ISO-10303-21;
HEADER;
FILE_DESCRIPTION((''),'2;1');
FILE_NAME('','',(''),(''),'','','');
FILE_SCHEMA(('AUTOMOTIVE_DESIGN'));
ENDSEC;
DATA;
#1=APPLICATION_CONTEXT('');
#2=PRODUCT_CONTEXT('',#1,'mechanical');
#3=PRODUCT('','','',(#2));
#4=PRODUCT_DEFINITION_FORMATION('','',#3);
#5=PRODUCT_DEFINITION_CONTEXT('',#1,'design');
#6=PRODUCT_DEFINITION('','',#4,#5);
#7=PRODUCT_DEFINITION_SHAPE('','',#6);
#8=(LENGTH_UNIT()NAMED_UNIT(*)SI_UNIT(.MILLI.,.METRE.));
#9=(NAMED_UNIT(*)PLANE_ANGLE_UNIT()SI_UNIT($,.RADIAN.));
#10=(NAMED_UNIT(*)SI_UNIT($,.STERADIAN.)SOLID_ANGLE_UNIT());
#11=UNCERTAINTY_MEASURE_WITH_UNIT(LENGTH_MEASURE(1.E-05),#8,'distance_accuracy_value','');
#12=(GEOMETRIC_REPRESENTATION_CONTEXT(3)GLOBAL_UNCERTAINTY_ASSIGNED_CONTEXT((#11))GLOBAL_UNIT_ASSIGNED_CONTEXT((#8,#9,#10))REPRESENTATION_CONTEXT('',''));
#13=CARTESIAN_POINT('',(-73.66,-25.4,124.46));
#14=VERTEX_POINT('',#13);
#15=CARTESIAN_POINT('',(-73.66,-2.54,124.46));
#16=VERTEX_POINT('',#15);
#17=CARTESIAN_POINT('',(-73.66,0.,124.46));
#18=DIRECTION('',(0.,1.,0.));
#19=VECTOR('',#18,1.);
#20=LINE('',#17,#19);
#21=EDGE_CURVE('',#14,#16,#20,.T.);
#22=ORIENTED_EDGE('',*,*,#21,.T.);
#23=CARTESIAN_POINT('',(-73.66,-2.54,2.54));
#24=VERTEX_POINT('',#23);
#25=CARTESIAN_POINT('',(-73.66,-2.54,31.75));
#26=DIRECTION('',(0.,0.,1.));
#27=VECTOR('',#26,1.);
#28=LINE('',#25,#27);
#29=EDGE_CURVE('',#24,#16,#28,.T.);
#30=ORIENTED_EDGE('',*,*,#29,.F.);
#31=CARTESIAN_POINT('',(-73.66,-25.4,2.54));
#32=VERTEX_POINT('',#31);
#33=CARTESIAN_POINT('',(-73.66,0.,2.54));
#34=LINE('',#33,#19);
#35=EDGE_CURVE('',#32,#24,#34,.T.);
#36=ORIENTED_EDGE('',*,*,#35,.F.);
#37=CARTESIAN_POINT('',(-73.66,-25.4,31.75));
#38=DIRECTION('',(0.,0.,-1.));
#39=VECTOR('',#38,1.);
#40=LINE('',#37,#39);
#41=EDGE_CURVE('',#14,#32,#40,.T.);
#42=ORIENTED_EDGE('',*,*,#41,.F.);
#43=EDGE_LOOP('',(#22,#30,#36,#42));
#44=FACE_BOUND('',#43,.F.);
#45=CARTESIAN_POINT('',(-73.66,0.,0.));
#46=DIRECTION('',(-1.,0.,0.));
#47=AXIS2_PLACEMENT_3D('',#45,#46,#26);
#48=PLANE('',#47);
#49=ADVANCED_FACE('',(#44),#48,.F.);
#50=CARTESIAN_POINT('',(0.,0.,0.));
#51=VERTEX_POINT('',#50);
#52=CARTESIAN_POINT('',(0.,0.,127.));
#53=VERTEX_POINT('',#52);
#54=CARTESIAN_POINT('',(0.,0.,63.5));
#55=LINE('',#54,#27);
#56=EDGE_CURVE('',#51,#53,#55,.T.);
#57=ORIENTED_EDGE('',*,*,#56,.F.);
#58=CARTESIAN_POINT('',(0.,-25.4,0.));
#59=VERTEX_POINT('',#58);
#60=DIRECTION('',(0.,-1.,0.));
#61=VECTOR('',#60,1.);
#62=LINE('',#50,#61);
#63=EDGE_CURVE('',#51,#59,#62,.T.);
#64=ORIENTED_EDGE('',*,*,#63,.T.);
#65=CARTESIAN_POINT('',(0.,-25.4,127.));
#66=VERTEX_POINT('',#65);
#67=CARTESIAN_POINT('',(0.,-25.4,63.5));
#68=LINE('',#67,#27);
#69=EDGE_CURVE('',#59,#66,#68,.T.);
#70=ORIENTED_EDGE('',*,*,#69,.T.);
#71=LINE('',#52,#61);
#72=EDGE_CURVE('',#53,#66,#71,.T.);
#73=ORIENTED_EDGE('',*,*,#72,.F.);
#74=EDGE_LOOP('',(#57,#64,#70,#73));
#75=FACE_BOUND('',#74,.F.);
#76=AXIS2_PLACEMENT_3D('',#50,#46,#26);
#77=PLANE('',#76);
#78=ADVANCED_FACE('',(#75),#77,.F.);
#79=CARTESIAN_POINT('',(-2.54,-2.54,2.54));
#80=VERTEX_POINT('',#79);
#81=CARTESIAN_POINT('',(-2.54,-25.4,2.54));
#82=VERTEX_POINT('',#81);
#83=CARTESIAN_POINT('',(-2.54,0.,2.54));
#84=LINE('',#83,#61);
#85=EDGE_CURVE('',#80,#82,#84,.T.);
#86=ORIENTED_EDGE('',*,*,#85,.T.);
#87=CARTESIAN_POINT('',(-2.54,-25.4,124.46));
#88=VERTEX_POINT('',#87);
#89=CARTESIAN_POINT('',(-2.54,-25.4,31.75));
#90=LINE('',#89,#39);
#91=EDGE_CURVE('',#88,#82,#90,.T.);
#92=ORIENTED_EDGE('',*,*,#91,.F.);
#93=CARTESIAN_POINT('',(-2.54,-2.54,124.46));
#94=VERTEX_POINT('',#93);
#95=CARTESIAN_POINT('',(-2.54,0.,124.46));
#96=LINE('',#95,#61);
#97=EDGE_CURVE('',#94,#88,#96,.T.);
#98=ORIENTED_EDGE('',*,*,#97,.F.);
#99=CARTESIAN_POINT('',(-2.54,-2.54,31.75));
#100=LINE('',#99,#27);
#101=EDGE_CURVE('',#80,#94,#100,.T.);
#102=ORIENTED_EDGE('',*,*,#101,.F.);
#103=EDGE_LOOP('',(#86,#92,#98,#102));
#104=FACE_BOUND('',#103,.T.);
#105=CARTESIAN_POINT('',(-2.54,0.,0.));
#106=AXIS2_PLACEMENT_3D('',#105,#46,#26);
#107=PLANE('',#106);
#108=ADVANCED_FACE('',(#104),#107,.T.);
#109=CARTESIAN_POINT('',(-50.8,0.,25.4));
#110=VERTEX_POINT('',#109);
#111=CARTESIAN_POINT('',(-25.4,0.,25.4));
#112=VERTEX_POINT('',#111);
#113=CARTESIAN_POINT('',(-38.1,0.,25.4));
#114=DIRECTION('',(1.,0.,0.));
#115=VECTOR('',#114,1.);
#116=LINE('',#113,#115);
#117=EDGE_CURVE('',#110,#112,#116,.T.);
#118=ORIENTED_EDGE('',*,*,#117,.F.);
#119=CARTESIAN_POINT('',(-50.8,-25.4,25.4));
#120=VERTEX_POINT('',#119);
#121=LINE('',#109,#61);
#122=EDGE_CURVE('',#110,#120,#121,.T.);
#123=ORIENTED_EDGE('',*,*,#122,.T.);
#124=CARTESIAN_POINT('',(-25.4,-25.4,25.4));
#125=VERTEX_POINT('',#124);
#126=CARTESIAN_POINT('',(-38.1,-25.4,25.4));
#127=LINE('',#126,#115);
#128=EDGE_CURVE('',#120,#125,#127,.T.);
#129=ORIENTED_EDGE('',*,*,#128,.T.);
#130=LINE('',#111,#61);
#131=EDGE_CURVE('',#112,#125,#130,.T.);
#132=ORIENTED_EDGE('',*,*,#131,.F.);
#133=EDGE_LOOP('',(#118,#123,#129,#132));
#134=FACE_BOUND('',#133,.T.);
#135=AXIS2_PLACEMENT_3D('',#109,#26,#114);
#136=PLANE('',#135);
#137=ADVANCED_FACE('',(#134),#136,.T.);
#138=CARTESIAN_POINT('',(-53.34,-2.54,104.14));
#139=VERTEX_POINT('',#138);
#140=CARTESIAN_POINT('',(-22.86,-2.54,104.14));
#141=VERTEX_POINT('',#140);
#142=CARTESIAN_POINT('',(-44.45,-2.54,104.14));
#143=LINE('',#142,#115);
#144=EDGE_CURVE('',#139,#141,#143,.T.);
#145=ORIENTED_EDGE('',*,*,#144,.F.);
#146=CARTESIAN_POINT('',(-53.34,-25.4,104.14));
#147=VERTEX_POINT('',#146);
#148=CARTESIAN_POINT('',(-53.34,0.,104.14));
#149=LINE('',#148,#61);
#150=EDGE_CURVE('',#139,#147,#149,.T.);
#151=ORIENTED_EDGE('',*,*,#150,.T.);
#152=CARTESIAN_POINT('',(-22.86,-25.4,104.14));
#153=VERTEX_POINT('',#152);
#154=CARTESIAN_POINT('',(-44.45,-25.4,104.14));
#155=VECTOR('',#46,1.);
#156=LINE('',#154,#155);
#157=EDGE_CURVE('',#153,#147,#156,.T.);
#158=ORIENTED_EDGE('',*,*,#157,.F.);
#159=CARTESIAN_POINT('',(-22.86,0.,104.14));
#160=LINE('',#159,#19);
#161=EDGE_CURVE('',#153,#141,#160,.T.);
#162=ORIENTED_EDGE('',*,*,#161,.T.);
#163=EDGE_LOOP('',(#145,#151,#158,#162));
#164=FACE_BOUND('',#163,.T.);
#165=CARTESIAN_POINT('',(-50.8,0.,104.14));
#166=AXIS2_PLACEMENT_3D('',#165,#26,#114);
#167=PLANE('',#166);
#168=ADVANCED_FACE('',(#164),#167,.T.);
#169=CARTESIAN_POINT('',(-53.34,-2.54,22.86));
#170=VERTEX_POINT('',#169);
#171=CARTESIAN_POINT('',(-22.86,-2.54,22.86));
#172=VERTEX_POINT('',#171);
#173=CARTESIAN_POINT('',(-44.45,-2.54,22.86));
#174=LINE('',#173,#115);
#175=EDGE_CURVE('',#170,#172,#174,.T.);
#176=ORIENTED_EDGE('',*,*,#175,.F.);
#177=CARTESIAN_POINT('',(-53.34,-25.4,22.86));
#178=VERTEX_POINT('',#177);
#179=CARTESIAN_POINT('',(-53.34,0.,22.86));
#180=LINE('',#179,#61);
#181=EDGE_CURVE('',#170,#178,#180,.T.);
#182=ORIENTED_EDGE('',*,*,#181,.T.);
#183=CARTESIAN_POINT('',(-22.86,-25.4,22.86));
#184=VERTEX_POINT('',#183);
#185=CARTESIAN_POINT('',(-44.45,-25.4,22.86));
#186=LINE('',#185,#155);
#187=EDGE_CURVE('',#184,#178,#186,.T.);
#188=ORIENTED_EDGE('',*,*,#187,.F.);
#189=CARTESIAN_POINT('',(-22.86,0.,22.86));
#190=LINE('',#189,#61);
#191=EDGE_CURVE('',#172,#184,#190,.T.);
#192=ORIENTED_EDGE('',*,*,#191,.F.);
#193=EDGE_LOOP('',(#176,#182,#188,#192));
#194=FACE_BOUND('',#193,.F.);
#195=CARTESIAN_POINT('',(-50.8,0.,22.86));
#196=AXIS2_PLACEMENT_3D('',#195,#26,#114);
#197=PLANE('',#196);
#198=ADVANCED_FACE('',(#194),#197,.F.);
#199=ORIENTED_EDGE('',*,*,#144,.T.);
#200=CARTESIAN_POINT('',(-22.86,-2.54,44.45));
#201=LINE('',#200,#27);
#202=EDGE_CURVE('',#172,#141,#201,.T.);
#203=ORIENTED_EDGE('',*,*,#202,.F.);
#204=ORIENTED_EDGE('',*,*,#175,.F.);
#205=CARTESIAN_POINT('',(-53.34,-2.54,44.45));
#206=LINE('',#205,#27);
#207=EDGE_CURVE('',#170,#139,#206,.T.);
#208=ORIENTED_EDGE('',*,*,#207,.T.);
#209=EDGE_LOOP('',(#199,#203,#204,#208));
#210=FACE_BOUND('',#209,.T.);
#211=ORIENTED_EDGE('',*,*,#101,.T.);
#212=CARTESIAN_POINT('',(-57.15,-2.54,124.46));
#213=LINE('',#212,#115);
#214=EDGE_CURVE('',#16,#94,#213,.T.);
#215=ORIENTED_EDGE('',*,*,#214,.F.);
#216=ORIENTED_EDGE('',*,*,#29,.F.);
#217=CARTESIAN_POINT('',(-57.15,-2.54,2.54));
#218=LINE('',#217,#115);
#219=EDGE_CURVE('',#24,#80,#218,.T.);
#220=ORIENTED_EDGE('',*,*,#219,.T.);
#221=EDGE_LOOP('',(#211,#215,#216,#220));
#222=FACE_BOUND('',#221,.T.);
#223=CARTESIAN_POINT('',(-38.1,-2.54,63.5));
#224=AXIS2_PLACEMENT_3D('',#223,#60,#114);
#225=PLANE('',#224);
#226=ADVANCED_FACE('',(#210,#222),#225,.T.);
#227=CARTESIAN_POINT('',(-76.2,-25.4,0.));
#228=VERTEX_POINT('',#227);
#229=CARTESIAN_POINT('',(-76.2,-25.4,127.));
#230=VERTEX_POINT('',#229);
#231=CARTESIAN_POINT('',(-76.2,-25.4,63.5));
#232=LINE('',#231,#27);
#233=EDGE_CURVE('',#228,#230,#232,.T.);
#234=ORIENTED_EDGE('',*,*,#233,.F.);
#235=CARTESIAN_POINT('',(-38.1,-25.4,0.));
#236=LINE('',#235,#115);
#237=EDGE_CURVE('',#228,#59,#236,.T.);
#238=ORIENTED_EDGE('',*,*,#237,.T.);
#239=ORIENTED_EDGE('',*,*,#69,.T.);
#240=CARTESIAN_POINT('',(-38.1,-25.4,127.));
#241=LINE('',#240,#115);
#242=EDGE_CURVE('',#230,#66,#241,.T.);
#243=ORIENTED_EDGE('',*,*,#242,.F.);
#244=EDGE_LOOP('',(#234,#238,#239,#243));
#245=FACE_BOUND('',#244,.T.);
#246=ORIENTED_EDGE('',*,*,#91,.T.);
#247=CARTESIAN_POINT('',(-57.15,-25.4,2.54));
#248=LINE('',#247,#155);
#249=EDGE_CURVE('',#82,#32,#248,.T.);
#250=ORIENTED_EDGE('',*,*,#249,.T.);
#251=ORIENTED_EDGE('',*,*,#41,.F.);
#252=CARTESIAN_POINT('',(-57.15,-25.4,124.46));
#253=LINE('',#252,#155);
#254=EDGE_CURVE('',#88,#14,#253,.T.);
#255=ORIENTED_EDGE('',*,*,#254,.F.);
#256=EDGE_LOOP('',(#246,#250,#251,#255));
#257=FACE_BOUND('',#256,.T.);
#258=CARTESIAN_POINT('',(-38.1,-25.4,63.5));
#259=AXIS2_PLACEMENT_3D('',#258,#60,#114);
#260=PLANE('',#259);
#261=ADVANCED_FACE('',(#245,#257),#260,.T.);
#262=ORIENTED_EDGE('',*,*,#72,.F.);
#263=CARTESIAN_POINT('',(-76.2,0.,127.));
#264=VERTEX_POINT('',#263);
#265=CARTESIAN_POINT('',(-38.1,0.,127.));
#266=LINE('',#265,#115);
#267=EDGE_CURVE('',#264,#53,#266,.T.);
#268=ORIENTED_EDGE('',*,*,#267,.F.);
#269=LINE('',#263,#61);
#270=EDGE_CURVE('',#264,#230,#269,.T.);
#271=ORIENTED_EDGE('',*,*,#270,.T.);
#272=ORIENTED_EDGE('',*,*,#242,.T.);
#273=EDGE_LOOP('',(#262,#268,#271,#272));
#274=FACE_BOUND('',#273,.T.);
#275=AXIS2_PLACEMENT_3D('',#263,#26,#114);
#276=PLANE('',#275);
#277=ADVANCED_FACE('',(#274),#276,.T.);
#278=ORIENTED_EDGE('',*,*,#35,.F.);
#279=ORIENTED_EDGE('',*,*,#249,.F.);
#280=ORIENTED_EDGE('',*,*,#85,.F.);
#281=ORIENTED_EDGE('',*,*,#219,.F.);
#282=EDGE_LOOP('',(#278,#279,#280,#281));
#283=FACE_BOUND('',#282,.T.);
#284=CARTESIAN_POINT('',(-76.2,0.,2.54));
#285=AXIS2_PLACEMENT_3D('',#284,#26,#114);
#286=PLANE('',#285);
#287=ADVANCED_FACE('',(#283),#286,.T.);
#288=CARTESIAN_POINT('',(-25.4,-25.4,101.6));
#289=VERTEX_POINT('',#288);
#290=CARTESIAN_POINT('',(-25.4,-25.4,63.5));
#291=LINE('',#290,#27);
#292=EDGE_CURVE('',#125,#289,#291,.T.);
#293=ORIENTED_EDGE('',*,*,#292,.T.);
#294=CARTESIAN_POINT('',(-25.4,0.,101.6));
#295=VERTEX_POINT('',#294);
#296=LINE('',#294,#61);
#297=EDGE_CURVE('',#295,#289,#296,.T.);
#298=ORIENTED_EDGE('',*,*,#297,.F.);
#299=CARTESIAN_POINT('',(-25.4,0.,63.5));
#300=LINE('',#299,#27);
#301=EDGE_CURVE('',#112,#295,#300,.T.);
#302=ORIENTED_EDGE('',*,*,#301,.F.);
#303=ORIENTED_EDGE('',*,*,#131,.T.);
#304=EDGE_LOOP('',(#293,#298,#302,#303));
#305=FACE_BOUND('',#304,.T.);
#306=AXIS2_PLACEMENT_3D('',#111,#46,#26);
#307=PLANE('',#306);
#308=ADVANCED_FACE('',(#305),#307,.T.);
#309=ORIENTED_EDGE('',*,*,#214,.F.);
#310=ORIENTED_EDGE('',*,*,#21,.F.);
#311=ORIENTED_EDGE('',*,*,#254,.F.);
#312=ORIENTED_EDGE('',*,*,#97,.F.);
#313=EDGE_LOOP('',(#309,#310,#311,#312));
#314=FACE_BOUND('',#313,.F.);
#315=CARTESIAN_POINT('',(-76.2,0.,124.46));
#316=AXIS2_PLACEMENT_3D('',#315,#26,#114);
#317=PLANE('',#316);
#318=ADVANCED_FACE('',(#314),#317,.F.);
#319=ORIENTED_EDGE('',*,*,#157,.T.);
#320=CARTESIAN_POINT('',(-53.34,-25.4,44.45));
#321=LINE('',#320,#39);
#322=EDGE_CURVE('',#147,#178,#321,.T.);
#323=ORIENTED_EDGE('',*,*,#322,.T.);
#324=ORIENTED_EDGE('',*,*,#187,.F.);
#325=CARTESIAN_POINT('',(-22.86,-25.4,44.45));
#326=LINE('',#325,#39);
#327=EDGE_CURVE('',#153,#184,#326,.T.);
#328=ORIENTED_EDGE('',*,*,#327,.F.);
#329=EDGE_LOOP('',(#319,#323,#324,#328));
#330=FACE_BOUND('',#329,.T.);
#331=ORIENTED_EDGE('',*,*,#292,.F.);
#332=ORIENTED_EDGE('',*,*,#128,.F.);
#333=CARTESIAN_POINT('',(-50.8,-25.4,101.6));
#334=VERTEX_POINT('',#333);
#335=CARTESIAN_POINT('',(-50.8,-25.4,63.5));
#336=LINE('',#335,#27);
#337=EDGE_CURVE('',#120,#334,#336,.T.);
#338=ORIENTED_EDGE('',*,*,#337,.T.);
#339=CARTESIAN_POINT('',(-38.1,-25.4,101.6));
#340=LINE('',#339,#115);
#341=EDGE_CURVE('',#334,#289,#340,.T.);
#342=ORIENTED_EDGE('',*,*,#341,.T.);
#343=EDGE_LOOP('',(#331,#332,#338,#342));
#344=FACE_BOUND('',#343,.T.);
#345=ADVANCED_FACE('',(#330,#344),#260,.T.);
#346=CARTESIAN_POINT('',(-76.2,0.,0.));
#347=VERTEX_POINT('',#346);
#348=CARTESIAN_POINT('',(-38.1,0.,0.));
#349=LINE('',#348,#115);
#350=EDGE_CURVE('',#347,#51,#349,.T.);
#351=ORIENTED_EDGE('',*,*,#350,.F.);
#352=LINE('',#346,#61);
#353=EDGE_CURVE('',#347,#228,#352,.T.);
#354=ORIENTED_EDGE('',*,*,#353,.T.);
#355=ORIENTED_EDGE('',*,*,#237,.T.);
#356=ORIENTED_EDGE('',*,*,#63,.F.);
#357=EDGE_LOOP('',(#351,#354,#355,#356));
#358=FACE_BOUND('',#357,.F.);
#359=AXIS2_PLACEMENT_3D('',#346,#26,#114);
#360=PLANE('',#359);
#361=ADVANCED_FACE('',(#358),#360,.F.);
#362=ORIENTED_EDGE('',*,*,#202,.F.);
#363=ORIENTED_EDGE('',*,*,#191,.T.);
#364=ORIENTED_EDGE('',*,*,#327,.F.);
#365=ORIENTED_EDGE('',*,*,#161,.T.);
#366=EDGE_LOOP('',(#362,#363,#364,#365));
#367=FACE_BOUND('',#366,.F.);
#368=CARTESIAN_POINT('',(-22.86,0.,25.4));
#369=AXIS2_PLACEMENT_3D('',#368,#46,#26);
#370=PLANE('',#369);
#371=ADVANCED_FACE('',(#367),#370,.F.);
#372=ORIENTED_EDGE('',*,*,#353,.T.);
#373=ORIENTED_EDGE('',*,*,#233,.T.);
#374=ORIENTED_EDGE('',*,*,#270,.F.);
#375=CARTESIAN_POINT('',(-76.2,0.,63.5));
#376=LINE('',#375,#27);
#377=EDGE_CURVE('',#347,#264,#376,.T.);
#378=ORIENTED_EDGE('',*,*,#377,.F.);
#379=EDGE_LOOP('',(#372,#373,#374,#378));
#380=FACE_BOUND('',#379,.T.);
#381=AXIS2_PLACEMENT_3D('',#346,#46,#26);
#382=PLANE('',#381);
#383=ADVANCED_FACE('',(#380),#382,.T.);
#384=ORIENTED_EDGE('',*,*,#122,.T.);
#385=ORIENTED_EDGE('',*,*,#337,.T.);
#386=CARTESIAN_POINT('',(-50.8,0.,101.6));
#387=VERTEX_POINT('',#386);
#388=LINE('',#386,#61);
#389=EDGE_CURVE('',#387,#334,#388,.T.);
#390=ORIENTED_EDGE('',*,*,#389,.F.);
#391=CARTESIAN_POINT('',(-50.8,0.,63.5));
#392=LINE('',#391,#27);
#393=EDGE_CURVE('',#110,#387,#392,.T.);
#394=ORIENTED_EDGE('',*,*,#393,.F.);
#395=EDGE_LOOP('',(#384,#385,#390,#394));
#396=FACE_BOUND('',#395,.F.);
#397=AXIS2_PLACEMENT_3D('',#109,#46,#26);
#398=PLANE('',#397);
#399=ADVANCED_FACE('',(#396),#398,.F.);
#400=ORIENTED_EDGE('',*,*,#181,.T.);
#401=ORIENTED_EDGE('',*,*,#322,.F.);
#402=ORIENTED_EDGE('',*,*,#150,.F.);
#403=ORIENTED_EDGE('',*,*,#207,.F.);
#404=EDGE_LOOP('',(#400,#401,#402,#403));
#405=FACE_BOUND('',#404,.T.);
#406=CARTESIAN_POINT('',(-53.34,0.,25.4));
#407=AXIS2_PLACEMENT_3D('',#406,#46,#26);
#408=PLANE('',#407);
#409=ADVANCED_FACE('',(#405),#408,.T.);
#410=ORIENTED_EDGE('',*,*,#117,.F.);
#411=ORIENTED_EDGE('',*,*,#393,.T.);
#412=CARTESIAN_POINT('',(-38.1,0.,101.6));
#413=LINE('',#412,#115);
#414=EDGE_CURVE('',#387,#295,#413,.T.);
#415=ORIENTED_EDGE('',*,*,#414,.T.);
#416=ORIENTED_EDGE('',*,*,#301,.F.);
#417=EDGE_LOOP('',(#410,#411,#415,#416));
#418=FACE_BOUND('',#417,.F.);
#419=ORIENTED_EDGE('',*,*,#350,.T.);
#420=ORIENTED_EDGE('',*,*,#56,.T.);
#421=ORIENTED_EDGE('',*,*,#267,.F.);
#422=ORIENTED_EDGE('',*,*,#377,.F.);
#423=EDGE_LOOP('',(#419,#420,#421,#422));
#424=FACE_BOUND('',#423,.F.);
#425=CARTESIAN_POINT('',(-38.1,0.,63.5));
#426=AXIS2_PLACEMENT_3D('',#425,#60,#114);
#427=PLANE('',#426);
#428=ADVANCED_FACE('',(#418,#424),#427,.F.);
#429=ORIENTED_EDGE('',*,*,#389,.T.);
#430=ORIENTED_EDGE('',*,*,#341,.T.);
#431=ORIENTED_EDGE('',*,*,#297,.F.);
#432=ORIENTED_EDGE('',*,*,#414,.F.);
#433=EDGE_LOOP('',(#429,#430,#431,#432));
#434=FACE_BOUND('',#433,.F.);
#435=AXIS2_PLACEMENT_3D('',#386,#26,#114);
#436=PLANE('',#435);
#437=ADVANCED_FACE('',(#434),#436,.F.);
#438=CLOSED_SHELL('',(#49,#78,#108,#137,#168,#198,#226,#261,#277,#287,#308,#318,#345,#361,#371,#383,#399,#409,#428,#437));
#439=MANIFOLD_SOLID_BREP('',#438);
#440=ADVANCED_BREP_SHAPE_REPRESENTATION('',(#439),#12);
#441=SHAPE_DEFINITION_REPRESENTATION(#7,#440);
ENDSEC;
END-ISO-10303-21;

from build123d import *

# Parameters (mm, degrees)
F0_W     = 76.2
F0_H     = 127
F0_W_2   = 25.4
F0_H_2   = 76.2
F1_DEPTH = 25.4
F2_T     = -2.54


with BuildPart() as f1:
    # F0 (on Front) → F1 (new body)
    with BuildSketch(Plane.XZ):
        with Locations((-38.1, 63.5)):
            Rectangle(F0_W, F0_H)
        with Locations((-38.1, 63.5)):
            Rectangle(F0_W_2, F0_H_2, mode=Mode.SUBTRACT)
    extrude(amount=F1_DEPTH)

    # F2
    f2_openings = [f1.faces().sort_by_distance(p)[0] for p in [
        (-38.1, -25.4, 1.481062),
    ]]
    offset(amount=F2_T, openings=f2_openings, kind=Kind.INTERSECTION)


solid = f1.part
